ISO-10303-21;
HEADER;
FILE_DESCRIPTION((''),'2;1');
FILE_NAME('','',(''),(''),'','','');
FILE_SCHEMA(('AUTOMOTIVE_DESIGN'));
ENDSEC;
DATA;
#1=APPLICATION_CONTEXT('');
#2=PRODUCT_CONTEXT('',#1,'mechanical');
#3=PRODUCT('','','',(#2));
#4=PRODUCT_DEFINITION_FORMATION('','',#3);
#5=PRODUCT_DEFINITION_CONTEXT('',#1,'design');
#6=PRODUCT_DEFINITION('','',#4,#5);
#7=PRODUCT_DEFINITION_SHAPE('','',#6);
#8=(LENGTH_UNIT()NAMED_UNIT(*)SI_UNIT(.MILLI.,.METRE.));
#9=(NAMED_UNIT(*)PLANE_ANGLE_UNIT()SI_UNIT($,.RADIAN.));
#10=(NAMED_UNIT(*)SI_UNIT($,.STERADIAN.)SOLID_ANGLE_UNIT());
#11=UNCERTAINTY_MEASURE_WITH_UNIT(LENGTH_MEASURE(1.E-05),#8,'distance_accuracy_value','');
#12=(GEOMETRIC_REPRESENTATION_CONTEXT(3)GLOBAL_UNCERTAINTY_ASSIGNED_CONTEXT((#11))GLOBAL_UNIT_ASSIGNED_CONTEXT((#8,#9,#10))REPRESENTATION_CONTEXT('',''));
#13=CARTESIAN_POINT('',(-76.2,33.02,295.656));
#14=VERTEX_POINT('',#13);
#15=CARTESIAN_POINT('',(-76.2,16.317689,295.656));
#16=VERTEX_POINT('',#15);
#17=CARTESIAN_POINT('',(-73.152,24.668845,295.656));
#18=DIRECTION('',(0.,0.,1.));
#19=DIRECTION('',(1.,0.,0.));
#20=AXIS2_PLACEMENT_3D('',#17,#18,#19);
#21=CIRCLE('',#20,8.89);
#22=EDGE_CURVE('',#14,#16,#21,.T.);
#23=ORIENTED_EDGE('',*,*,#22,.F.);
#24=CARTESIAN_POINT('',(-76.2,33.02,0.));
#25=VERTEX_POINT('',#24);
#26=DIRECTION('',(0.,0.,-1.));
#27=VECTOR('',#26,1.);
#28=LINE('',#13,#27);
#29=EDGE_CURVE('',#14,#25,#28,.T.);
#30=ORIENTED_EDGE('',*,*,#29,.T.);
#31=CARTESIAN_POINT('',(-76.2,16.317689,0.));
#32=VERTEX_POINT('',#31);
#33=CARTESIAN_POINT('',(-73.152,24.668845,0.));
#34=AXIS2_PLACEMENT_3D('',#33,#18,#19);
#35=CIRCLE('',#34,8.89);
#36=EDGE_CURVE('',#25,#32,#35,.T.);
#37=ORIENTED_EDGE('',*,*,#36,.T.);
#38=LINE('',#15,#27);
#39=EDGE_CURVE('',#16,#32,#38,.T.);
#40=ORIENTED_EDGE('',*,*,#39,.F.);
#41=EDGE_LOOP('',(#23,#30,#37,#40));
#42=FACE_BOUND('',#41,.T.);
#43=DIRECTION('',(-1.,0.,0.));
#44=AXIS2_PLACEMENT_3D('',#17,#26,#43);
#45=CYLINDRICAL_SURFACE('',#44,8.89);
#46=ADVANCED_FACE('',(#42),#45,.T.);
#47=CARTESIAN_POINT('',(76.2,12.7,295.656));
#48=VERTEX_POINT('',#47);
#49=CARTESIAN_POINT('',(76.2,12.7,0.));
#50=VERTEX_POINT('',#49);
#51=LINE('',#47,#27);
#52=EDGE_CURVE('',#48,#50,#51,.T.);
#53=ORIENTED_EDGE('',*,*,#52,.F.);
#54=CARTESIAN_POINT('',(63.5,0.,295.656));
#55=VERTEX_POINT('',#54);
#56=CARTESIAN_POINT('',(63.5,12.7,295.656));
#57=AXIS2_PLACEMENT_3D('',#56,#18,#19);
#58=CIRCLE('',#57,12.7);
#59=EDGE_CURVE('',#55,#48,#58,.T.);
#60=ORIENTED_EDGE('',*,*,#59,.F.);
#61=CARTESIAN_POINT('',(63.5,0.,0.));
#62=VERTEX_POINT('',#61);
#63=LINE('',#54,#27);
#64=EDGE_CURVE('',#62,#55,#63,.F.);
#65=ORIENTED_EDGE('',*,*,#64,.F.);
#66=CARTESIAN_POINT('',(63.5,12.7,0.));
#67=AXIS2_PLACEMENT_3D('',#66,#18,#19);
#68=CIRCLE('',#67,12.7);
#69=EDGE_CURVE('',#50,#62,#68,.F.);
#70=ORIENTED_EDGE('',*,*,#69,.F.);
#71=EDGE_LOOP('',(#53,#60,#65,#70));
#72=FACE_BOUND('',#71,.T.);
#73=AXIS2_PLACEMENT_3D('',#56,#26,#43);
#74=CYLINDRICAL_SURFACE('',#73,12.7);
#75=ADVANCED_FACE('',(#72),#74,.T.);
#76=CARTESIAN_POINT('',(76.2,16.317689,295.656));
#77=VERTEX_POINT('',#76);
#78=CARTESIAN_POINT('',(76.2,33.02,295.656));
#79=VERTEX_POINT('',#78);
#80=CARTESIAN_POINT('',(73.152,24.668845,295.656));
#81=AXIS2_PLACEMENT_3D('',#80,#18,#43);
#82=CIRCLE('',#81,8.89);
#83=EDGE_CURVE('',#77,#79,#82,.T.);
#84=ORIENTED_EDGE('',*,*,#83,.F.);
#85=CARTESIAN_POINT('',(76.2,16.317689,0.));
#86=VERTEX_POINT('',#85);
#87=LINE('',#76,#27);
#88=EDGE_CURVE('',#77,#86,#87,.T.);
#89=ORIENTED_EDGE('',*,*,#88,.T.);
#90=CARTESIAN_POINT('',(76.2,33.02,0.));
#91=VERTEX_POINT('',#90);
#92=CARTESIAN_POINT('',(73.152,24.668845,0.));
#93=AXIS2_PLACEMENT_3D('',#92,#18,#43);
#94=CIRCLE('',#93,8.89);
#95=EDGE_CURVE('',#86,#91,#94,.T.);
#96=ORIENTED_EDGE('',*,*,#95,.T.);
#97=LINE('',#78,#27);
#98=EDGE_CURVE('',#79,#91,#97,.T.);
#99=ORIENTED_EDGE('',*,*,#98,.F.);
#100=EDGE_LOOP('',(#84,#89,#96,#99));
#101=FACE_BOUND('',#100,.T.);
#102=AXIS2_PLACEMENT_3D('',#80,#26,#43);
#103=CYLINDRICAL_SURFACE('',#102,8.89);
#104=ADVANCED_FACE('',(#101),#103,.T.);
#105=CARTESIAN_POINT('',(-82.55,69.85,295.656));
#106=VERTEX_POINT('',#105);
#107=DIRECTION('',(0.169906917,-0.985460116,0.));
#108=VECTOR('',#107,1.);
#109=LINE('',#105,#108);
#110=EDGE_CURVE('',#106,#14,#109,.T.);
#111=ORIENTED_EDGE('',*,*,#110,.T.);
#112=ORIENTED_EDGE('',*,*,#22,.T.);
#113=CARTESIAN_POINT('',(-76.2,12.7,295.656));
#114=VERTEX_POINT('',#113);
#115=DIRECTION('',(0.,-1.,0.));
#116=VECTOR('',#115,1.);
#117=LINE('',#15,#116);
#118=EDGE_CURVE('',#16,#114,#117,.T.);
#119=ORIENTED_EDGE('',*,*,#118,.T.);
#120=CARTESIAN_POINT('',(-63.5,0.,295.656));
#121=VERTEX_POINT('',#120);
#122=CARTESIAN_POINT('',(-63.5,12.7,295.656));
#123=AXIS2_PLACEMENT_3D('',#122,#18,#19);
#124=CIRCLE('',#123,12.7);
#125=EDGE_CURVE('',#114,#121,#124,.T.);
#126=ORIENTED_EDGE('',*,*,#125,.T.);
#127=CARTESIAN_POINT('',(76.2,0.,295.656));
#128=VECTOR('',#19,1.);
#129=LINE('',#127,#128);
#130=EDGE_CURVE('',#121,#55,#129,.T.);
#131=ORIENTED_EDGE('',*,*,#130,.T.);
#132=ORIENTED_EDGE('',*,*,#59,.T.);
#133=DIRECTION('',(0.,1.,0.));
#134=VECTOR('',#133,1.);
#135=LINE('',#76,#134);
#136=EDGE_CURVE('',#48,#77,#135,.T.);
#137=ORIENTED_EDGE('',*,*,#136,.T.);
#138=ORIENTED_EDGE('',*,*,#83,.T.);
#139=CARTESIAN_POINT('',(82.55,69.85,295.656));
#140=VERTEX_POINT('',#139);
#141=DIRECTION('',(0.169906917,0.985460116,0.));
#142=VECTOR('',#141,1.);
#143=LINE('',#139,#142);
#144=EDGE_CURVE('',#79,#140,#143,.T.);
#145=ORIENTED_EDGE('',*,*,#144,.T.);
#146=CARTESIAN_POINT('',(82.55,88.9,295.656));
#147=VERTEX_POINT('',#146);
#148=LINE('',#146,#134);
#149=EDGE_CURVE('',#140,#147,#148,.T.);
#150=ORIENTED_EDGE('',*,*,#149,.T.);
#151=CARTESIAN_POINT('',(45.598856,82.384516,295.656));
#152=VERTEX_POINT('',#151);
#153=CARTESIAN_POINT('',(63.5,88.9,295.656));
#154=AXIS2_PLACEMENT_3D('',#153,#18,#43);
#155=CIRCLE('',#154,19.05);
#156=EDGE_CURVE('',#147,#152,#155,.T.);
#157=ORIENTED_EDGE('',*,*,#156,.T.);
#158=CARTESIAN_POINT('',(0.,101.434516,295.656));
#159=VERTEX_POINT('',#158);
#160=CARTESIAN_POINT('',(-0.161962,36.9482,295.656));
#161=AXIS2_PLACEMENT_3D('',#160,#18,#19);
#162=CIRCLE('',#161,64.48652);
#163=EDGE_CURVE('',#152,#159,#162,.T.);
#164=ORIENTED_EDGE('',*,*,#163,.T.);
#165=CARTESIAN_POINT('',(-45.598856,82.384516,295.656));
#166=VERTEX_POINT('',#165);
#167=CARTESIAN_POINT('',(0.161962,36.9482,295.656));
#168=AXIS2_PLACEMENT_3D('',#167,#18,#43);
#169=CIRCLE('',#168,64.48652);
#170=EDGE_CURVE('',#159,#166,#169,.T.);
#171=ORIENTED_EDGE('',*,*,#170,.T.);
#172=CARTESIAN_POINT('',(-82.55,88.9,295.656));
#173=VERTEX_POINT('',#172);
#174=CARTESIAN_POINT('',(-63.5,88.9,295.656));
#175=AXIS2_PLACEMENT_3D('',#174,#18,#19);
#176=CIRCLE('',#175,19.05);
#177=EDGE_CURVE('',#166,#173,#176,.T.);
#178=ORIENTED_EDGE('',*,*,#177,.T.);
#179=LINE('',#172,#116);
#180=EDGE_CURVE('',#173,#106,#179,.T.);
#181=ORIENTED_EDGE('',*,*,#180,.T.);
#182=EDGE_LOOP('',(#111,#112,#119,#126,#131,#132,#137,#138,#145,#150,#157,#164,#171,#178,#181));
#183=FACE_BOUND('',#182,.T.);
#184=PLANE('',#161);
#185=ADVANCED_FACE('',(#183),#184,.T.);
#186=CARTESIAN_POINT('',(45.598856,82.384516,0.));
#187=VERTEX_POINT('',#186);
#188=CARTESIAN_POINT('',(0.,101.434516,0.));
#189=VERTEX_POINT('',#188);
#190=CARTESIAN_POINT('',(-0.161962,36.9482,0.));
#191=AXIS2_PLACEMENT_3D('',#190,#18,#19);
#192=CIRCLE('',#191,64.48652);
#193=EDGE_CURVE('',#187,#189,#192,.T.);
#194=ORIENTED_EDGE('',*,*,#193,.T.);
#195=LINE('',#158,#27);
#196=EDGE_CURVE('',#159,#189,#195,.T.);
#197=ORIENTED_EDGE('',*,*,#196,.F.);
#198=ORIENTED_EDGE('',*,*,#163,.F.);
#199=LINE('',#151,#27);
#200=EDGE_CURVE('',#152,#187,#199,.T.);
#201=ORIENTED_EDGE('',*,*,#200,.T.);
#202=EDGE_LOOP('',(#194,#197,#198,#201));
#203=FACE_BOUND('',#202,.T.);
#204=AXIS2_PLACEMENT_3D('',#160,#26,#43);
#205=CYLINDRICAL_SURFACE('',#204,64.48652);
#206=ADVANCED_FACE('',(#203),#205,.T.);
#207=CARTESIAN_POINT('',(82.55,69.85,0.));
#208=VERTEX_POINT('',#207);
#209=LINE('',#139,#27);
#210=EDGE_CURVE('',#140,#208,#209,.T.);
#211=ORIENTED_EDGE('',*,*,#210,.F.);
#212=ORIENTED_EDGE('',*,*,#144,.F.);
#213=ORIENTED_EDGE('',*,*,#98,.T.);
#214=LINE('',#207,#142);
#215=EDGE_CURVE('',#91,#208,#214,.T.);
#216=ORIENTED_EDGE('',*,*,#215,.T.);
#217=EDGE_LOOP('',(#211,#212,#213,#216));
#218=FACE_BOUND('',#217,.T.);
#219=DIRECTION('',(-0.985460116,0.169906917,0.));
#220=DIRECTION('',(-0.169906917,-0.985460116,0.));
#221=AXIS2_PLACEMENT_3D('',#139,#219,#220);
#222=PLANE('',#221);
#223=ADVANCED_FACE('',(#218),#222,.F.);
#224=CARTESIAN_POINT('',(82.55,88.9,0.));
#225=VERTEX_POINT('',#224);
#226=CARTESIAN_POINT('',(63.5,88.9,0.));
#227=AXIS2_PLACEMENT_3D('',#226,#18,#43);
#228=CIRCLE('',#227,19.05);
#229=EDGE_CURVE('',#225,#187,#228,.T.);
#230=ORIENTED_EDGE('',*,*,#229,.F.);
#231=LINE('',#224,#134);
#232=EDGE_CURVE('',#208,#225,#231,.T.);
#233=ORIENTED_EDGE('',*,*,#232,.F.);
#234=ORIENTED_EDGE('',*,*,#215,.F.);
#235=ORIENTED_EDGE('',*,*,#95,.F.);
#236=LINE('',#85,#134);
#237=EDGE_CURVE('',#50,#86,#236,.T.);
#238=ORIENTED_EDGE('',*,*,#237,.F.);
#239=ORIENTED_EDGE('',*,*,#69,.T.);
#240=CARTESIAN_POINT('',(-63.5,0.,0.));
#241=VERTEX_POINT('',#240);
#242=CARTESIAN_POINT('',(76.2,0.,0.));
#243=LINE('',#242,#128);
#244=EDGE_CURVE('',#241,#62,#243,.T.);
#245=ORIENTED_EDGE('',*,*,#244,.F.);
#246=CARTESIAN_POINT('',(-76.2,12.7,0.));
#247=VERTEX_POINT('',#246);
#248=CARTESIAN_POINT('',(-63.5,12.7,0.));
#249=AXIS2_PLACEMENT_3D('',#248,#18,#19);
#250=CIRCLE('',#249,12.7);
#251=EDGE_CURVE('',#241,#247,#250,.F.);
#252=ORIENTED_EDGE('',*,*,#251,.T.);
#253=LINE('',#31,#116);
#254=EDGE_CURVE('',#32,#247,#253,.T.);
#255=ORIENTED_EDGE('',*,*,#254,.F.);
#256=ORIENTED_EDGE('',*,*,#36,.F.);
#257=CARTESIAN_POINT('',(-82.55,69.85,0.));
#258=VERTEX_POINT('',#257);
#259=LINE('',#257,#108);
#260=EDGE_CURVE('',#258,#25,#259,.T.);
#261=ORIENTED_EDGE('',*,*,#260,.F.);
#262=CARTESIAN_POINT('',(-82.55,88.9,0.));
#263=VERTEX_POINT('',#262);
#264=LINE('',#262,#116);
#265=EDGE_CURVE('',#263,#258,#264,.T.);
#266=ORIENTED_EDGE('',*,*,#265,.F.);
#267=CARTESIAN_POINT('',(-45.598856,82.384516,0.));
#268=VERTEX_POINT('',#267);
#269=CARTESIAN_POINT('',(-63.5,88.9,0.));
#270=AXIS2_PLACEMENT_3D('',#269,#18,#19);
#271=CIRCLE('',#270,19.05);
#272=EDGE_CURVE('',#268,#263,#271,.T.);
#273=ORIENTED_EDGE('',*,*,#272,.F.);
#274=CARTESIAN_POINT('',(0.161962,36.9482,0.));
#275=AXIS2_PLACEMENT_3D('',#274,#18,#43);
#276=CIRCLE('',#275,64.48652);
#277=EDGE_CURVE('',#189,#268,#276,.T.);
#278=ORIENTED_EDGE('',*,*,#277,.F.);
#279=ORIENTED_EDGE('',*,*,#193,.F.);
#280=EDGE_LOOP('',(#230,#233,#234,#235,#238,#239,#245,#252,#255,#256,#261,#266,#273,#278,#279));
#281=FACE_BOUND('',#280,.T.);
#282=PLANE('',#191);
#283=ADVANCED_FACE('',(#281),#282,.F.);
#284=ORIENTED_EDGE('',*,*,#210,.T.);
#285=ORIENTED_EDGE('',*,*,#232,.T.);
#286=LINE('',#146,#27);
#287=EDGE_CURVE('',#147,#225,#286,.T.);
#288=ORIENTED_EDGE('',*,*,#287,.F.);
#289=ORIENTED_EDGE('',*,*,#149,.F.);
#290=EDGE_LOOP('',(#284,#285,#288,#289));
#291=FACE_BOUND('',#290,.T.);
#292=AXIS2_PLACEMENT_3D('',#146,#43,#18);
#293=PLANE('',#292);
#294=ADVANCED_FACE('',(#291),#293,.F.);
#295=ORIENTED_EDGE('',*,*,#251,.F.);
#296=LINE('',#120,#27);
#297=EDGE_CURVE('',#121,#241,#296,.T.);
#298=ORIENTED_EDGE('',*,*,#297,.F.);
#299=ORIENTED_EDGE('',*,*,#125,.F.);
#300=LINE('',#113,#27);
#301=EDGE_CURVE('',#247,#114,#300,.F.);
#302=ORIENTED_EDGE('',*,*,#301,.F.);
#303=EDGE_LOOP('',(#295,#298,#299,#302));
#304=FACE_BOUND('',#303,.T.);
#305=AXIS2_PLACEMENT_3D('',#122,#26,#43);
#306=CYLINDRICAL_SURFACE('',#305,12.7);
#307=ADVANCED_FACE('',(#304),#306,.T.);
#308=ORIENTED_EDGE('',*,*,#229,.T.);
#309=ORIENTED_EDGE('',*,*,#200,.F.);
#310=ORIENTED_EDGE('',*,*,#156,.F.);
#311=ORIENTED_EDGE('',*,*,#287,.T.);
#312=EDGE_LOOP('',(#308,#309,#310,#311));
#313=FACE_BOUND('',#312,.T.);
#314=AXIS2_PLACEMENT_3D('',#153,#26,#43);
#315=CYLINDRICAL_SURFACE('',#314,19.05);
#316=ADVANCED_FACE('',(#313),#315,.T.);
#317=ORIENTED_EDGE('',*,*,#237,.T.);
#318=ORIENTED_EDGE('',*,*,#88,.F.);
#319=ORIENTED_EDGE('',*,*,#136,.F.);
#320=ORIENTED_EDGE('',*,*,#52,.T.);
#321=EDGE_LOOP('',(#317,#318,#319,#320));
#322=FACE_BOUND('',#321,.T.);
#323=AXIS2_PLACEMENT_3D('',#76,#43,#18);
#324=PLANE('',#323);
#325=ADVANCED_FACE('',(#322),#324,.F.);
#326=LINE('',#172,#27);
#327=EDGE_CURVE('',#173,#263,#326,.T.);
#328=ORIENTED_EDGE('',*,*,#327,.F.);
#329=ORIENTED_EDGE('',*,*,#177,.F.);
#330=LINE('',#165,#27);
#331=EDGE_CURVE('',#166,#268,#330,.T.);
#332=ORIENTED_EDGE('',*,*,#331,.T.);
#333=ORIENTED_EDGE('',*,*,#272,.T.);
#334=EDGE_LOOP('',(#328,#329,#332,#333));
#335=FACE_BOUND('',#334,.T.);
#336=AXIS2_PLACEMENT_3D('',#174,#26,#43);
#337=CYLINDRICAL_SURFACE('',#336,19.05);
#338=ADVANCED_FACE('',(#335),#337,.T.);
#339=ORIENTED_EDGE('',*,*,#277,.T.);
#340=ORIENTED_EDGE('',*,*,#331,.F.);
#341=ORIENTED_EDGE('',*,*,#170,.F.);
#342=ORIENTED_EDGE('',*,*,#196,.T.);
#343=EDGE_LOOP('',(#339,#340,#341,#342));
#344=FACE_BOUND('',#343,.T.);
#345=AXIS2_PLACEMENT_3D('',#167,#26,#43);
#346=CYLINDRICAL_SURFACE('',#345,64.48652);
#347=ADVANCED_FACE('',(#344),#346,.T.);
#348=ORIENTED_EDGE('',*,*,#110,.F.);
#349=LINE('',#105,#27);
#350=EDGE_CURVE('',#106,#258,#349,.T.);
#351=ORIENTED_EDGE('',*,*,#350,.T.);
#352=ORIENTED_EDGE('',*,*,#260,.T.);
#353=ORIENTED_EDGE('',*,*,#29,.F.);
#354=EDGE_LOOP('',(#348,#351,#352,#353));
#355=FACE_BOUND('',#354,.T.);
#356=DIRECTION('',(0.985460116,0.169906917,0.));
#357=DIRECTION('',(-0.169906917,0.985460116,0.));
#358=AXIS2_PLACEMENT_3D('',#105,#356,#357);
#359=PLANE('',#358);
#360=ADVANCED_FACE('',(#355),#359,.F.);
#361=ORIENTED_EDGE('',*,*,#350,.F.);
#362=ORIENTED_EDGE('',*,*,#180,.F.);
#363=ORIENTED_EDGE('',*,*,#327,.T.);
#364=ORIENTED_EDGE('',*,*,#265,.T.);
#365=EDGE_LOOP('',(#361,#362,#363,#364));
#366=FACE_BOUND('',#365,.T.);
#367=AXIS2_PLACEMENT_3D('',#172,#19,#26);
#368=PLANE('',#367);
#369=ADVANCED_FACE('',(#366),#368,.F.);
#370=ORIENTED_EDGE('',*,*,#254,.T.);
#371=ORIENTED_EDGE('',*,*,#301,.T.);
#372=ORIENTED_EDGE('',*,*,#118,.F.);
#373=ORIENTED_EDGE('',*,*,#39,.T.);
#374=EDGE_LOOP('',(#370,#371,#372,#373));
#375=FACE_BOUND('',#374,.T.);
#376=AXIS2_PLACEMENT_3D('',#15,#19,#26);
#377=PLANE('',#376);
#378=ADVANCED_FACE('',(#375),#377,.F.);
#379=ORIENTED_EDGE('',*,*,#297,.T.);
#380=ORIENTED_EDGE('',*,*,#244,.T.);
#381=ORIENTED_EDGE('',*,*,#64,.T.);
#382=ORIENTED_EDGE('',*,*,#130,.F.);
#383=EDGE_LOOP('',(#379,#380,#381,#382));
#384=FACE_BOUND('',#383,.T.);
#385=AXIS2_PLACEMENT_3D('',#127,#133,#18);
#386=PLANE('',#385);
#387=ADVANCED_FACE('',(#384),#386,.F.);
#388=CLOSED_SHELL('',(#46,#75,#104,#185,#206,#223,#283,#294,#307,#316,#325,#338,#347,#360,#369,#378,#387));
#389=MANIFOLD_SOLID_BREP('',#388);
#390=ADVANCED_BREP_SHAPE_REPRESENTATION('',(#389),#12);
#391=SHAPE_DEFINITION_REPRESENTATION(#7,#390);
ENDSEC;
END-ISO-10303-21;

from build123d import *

# Parameters (mm, degrees)
BOSS_EXTRUDE1_DEPTH = 295.656
FILLET1_R           = 12.7


with BuildPart() as part:
    # Sketch1 → Boss-Extrude1 (new body)
    with BuildSketch(Plane.XY):
        with BuildLine():
            Line((82.55, 88.9), (82.55, 69.85))
            Line((82.55, 69.85), (76.2, 33.02))
            ThreePointArc((76.2, 33.02), (82.042, 24.668844631), (76.2, 16.317689262))
            Line((76.2, 16.317689262), (76.2, 0))
            Line((76.2, 0), (-76.2, 0))
            Line((-76.2, 0), (-76.2, 16.317689262))
            ThreePointArc((-76.2, 16.317689262), (-82.042, 24.668844631), (-76.2, 33.02))
            Line((-76.2, 33.02), (-82.55, 69.85))
            Line((-82.55, 69.85), (-82.55, 88.9))
            ThreePointArc((-82.55, 88.9), (-60.192002215, 107.660587695), (-45.598855574, 82.38451627))
            ThreePointArc((-45.598855574, 82.38451627), (-24.696659186, 96.450806586), (0, 101.43451627))
            ThreePointArc((0, 101.43451627), (24.696659186, 96.450806586), (45.598855574, 82.38451627))
            ThreePointArc((45.598855574, 82.38451627), (60.192002215, 107.660587695), (82.55, 88.9))
        make_face()
    extrude(amount=BOSS_EXTRUDE1_DEPTH)

    # Fillet1
    fillet1_edges = [part.edges().sort_by_distance(p)[0] for p in [
        (76.2, 0, 147.828),
        (-76.2, 0, 147.828),
    ]]
    fillet(fillet1_edges, radius=FILLET1_R)


solid = part.part
